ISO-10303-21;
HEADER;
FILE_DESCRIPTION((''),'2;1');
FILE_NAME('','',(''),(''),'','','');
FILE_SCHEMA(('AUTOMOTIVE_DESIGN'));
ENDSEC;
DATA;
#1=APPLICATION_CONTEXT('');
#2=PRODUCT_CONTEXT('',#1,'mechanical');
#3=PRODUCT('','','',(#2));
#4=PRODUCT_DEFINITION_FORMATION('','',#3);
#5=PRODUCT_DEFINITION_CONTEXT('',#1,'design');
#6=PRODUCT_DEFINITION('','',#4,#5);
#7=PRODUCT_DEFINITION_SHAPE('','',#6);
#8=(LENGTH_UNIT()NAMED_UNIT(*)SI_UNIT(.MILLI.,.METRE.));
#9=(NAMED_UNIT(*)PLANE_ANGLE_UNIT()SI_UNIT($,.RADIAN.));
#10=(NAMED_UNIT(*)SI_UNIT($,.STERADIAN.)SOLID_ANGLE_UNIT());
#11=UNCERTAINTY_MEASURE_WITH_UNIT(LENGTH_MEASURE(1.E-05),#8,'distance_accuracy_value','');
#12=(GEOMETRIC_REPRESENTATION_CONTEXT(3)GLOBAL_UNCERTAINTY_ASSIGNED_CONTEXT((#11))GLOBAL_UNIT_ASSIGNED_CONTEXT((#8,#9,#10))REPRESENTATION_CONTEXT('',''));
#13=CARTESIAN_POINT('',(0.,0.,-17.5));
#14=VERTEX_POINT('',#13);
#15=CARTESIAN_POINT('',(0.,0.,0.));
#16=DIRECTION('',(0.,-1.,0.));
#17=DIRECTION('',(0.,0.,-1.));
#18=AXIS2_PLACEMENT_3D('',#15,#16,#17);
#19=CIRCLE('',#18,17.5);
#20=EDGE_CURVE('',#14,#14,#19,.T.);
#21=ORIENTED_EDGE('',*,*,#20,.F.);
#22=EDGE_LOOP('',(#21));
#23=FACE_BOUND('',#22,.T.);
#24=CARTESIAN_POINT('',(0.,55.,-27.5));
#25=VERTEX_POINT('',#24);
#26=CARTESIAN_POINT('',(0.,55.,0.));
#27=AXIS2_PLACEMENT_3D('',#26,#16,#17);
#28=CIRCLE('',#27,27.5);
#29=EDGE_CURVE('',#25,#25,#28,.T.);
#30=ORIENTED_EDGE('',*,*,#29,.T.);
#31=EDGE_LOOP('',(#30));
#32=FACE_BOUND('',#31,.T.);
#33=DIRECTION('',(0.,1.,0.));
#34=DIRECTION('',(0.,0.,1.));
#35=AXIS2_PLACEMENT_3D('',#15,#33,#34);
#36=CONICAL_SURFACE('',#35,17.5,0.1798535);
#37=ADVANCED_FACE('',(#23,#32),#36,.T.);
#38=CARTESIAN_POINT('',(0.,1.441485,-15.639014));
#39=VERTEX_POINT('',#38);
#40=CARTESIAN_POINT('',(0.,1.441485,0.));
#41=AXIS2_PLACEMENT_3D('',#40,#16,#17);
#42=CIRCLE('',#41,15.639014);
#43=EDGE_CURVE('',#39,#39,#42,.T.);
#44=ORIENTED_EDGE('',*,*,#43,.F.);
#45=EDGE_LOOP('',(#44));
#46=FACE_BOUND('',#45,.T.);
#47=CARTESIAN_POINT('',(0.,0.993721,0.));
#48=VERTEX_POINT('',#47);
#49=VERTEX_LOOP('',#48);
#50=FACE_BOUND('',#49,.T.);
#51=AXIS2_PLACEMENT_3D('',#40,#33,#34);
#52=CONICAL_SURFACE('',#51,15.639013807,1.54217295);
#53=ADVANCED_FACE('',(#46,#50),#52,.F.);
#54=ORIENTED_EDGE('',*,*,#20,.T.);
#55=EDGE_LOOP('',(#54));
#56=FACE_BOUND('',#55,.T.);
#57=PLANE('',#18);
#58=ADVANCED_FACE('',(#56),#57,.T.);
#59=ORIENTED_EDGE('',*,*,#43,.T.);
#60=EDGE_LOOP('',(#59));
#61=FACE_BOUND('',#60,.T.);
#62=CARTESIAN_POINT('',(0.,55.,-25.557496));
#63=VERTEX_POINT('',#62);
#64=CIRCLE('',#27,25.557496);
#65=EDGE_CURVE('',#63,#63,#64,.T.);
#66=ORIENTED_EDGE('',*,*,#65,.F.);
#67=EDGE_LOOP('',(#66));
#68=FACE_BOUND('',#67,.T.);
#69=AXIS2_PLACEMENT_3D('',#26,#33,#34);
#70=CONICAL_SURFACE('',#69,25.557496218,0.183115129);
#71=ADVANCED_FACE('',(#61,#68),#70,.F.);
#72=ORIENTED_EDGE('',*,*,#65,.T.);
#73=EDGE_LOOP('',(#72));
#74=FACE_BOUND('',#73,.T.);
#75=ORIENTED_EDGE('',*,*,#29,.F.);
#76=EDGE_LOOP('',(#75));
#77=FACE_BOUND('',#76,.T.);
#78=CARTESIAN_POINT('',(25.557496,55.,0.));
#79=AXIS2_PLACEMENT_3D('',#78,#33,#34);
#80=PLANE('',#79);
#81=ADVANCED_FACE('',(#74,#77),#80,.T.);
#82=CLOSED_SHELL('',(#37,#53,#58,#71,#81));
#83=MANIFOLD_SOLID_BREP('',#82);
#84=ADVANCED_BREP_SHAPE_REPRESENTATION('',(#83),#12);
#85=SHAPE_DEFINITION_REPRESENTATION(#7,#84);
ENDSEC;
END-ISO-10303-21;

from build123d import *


with BuildPart() as part:
    # Esboço1 → Revolução1 (revolve)
    with BuildSketch(Plane.XY):
        Polygon((0, 0), (17.5, 0), (27.5, 55), (25.557496218, 55), (15.639013807, 1.441484911), (0, 0.993721243), align=None)
    revolve(axis=Axis((0, 0, 0), (0, 1, 0)))


solid = part.part
